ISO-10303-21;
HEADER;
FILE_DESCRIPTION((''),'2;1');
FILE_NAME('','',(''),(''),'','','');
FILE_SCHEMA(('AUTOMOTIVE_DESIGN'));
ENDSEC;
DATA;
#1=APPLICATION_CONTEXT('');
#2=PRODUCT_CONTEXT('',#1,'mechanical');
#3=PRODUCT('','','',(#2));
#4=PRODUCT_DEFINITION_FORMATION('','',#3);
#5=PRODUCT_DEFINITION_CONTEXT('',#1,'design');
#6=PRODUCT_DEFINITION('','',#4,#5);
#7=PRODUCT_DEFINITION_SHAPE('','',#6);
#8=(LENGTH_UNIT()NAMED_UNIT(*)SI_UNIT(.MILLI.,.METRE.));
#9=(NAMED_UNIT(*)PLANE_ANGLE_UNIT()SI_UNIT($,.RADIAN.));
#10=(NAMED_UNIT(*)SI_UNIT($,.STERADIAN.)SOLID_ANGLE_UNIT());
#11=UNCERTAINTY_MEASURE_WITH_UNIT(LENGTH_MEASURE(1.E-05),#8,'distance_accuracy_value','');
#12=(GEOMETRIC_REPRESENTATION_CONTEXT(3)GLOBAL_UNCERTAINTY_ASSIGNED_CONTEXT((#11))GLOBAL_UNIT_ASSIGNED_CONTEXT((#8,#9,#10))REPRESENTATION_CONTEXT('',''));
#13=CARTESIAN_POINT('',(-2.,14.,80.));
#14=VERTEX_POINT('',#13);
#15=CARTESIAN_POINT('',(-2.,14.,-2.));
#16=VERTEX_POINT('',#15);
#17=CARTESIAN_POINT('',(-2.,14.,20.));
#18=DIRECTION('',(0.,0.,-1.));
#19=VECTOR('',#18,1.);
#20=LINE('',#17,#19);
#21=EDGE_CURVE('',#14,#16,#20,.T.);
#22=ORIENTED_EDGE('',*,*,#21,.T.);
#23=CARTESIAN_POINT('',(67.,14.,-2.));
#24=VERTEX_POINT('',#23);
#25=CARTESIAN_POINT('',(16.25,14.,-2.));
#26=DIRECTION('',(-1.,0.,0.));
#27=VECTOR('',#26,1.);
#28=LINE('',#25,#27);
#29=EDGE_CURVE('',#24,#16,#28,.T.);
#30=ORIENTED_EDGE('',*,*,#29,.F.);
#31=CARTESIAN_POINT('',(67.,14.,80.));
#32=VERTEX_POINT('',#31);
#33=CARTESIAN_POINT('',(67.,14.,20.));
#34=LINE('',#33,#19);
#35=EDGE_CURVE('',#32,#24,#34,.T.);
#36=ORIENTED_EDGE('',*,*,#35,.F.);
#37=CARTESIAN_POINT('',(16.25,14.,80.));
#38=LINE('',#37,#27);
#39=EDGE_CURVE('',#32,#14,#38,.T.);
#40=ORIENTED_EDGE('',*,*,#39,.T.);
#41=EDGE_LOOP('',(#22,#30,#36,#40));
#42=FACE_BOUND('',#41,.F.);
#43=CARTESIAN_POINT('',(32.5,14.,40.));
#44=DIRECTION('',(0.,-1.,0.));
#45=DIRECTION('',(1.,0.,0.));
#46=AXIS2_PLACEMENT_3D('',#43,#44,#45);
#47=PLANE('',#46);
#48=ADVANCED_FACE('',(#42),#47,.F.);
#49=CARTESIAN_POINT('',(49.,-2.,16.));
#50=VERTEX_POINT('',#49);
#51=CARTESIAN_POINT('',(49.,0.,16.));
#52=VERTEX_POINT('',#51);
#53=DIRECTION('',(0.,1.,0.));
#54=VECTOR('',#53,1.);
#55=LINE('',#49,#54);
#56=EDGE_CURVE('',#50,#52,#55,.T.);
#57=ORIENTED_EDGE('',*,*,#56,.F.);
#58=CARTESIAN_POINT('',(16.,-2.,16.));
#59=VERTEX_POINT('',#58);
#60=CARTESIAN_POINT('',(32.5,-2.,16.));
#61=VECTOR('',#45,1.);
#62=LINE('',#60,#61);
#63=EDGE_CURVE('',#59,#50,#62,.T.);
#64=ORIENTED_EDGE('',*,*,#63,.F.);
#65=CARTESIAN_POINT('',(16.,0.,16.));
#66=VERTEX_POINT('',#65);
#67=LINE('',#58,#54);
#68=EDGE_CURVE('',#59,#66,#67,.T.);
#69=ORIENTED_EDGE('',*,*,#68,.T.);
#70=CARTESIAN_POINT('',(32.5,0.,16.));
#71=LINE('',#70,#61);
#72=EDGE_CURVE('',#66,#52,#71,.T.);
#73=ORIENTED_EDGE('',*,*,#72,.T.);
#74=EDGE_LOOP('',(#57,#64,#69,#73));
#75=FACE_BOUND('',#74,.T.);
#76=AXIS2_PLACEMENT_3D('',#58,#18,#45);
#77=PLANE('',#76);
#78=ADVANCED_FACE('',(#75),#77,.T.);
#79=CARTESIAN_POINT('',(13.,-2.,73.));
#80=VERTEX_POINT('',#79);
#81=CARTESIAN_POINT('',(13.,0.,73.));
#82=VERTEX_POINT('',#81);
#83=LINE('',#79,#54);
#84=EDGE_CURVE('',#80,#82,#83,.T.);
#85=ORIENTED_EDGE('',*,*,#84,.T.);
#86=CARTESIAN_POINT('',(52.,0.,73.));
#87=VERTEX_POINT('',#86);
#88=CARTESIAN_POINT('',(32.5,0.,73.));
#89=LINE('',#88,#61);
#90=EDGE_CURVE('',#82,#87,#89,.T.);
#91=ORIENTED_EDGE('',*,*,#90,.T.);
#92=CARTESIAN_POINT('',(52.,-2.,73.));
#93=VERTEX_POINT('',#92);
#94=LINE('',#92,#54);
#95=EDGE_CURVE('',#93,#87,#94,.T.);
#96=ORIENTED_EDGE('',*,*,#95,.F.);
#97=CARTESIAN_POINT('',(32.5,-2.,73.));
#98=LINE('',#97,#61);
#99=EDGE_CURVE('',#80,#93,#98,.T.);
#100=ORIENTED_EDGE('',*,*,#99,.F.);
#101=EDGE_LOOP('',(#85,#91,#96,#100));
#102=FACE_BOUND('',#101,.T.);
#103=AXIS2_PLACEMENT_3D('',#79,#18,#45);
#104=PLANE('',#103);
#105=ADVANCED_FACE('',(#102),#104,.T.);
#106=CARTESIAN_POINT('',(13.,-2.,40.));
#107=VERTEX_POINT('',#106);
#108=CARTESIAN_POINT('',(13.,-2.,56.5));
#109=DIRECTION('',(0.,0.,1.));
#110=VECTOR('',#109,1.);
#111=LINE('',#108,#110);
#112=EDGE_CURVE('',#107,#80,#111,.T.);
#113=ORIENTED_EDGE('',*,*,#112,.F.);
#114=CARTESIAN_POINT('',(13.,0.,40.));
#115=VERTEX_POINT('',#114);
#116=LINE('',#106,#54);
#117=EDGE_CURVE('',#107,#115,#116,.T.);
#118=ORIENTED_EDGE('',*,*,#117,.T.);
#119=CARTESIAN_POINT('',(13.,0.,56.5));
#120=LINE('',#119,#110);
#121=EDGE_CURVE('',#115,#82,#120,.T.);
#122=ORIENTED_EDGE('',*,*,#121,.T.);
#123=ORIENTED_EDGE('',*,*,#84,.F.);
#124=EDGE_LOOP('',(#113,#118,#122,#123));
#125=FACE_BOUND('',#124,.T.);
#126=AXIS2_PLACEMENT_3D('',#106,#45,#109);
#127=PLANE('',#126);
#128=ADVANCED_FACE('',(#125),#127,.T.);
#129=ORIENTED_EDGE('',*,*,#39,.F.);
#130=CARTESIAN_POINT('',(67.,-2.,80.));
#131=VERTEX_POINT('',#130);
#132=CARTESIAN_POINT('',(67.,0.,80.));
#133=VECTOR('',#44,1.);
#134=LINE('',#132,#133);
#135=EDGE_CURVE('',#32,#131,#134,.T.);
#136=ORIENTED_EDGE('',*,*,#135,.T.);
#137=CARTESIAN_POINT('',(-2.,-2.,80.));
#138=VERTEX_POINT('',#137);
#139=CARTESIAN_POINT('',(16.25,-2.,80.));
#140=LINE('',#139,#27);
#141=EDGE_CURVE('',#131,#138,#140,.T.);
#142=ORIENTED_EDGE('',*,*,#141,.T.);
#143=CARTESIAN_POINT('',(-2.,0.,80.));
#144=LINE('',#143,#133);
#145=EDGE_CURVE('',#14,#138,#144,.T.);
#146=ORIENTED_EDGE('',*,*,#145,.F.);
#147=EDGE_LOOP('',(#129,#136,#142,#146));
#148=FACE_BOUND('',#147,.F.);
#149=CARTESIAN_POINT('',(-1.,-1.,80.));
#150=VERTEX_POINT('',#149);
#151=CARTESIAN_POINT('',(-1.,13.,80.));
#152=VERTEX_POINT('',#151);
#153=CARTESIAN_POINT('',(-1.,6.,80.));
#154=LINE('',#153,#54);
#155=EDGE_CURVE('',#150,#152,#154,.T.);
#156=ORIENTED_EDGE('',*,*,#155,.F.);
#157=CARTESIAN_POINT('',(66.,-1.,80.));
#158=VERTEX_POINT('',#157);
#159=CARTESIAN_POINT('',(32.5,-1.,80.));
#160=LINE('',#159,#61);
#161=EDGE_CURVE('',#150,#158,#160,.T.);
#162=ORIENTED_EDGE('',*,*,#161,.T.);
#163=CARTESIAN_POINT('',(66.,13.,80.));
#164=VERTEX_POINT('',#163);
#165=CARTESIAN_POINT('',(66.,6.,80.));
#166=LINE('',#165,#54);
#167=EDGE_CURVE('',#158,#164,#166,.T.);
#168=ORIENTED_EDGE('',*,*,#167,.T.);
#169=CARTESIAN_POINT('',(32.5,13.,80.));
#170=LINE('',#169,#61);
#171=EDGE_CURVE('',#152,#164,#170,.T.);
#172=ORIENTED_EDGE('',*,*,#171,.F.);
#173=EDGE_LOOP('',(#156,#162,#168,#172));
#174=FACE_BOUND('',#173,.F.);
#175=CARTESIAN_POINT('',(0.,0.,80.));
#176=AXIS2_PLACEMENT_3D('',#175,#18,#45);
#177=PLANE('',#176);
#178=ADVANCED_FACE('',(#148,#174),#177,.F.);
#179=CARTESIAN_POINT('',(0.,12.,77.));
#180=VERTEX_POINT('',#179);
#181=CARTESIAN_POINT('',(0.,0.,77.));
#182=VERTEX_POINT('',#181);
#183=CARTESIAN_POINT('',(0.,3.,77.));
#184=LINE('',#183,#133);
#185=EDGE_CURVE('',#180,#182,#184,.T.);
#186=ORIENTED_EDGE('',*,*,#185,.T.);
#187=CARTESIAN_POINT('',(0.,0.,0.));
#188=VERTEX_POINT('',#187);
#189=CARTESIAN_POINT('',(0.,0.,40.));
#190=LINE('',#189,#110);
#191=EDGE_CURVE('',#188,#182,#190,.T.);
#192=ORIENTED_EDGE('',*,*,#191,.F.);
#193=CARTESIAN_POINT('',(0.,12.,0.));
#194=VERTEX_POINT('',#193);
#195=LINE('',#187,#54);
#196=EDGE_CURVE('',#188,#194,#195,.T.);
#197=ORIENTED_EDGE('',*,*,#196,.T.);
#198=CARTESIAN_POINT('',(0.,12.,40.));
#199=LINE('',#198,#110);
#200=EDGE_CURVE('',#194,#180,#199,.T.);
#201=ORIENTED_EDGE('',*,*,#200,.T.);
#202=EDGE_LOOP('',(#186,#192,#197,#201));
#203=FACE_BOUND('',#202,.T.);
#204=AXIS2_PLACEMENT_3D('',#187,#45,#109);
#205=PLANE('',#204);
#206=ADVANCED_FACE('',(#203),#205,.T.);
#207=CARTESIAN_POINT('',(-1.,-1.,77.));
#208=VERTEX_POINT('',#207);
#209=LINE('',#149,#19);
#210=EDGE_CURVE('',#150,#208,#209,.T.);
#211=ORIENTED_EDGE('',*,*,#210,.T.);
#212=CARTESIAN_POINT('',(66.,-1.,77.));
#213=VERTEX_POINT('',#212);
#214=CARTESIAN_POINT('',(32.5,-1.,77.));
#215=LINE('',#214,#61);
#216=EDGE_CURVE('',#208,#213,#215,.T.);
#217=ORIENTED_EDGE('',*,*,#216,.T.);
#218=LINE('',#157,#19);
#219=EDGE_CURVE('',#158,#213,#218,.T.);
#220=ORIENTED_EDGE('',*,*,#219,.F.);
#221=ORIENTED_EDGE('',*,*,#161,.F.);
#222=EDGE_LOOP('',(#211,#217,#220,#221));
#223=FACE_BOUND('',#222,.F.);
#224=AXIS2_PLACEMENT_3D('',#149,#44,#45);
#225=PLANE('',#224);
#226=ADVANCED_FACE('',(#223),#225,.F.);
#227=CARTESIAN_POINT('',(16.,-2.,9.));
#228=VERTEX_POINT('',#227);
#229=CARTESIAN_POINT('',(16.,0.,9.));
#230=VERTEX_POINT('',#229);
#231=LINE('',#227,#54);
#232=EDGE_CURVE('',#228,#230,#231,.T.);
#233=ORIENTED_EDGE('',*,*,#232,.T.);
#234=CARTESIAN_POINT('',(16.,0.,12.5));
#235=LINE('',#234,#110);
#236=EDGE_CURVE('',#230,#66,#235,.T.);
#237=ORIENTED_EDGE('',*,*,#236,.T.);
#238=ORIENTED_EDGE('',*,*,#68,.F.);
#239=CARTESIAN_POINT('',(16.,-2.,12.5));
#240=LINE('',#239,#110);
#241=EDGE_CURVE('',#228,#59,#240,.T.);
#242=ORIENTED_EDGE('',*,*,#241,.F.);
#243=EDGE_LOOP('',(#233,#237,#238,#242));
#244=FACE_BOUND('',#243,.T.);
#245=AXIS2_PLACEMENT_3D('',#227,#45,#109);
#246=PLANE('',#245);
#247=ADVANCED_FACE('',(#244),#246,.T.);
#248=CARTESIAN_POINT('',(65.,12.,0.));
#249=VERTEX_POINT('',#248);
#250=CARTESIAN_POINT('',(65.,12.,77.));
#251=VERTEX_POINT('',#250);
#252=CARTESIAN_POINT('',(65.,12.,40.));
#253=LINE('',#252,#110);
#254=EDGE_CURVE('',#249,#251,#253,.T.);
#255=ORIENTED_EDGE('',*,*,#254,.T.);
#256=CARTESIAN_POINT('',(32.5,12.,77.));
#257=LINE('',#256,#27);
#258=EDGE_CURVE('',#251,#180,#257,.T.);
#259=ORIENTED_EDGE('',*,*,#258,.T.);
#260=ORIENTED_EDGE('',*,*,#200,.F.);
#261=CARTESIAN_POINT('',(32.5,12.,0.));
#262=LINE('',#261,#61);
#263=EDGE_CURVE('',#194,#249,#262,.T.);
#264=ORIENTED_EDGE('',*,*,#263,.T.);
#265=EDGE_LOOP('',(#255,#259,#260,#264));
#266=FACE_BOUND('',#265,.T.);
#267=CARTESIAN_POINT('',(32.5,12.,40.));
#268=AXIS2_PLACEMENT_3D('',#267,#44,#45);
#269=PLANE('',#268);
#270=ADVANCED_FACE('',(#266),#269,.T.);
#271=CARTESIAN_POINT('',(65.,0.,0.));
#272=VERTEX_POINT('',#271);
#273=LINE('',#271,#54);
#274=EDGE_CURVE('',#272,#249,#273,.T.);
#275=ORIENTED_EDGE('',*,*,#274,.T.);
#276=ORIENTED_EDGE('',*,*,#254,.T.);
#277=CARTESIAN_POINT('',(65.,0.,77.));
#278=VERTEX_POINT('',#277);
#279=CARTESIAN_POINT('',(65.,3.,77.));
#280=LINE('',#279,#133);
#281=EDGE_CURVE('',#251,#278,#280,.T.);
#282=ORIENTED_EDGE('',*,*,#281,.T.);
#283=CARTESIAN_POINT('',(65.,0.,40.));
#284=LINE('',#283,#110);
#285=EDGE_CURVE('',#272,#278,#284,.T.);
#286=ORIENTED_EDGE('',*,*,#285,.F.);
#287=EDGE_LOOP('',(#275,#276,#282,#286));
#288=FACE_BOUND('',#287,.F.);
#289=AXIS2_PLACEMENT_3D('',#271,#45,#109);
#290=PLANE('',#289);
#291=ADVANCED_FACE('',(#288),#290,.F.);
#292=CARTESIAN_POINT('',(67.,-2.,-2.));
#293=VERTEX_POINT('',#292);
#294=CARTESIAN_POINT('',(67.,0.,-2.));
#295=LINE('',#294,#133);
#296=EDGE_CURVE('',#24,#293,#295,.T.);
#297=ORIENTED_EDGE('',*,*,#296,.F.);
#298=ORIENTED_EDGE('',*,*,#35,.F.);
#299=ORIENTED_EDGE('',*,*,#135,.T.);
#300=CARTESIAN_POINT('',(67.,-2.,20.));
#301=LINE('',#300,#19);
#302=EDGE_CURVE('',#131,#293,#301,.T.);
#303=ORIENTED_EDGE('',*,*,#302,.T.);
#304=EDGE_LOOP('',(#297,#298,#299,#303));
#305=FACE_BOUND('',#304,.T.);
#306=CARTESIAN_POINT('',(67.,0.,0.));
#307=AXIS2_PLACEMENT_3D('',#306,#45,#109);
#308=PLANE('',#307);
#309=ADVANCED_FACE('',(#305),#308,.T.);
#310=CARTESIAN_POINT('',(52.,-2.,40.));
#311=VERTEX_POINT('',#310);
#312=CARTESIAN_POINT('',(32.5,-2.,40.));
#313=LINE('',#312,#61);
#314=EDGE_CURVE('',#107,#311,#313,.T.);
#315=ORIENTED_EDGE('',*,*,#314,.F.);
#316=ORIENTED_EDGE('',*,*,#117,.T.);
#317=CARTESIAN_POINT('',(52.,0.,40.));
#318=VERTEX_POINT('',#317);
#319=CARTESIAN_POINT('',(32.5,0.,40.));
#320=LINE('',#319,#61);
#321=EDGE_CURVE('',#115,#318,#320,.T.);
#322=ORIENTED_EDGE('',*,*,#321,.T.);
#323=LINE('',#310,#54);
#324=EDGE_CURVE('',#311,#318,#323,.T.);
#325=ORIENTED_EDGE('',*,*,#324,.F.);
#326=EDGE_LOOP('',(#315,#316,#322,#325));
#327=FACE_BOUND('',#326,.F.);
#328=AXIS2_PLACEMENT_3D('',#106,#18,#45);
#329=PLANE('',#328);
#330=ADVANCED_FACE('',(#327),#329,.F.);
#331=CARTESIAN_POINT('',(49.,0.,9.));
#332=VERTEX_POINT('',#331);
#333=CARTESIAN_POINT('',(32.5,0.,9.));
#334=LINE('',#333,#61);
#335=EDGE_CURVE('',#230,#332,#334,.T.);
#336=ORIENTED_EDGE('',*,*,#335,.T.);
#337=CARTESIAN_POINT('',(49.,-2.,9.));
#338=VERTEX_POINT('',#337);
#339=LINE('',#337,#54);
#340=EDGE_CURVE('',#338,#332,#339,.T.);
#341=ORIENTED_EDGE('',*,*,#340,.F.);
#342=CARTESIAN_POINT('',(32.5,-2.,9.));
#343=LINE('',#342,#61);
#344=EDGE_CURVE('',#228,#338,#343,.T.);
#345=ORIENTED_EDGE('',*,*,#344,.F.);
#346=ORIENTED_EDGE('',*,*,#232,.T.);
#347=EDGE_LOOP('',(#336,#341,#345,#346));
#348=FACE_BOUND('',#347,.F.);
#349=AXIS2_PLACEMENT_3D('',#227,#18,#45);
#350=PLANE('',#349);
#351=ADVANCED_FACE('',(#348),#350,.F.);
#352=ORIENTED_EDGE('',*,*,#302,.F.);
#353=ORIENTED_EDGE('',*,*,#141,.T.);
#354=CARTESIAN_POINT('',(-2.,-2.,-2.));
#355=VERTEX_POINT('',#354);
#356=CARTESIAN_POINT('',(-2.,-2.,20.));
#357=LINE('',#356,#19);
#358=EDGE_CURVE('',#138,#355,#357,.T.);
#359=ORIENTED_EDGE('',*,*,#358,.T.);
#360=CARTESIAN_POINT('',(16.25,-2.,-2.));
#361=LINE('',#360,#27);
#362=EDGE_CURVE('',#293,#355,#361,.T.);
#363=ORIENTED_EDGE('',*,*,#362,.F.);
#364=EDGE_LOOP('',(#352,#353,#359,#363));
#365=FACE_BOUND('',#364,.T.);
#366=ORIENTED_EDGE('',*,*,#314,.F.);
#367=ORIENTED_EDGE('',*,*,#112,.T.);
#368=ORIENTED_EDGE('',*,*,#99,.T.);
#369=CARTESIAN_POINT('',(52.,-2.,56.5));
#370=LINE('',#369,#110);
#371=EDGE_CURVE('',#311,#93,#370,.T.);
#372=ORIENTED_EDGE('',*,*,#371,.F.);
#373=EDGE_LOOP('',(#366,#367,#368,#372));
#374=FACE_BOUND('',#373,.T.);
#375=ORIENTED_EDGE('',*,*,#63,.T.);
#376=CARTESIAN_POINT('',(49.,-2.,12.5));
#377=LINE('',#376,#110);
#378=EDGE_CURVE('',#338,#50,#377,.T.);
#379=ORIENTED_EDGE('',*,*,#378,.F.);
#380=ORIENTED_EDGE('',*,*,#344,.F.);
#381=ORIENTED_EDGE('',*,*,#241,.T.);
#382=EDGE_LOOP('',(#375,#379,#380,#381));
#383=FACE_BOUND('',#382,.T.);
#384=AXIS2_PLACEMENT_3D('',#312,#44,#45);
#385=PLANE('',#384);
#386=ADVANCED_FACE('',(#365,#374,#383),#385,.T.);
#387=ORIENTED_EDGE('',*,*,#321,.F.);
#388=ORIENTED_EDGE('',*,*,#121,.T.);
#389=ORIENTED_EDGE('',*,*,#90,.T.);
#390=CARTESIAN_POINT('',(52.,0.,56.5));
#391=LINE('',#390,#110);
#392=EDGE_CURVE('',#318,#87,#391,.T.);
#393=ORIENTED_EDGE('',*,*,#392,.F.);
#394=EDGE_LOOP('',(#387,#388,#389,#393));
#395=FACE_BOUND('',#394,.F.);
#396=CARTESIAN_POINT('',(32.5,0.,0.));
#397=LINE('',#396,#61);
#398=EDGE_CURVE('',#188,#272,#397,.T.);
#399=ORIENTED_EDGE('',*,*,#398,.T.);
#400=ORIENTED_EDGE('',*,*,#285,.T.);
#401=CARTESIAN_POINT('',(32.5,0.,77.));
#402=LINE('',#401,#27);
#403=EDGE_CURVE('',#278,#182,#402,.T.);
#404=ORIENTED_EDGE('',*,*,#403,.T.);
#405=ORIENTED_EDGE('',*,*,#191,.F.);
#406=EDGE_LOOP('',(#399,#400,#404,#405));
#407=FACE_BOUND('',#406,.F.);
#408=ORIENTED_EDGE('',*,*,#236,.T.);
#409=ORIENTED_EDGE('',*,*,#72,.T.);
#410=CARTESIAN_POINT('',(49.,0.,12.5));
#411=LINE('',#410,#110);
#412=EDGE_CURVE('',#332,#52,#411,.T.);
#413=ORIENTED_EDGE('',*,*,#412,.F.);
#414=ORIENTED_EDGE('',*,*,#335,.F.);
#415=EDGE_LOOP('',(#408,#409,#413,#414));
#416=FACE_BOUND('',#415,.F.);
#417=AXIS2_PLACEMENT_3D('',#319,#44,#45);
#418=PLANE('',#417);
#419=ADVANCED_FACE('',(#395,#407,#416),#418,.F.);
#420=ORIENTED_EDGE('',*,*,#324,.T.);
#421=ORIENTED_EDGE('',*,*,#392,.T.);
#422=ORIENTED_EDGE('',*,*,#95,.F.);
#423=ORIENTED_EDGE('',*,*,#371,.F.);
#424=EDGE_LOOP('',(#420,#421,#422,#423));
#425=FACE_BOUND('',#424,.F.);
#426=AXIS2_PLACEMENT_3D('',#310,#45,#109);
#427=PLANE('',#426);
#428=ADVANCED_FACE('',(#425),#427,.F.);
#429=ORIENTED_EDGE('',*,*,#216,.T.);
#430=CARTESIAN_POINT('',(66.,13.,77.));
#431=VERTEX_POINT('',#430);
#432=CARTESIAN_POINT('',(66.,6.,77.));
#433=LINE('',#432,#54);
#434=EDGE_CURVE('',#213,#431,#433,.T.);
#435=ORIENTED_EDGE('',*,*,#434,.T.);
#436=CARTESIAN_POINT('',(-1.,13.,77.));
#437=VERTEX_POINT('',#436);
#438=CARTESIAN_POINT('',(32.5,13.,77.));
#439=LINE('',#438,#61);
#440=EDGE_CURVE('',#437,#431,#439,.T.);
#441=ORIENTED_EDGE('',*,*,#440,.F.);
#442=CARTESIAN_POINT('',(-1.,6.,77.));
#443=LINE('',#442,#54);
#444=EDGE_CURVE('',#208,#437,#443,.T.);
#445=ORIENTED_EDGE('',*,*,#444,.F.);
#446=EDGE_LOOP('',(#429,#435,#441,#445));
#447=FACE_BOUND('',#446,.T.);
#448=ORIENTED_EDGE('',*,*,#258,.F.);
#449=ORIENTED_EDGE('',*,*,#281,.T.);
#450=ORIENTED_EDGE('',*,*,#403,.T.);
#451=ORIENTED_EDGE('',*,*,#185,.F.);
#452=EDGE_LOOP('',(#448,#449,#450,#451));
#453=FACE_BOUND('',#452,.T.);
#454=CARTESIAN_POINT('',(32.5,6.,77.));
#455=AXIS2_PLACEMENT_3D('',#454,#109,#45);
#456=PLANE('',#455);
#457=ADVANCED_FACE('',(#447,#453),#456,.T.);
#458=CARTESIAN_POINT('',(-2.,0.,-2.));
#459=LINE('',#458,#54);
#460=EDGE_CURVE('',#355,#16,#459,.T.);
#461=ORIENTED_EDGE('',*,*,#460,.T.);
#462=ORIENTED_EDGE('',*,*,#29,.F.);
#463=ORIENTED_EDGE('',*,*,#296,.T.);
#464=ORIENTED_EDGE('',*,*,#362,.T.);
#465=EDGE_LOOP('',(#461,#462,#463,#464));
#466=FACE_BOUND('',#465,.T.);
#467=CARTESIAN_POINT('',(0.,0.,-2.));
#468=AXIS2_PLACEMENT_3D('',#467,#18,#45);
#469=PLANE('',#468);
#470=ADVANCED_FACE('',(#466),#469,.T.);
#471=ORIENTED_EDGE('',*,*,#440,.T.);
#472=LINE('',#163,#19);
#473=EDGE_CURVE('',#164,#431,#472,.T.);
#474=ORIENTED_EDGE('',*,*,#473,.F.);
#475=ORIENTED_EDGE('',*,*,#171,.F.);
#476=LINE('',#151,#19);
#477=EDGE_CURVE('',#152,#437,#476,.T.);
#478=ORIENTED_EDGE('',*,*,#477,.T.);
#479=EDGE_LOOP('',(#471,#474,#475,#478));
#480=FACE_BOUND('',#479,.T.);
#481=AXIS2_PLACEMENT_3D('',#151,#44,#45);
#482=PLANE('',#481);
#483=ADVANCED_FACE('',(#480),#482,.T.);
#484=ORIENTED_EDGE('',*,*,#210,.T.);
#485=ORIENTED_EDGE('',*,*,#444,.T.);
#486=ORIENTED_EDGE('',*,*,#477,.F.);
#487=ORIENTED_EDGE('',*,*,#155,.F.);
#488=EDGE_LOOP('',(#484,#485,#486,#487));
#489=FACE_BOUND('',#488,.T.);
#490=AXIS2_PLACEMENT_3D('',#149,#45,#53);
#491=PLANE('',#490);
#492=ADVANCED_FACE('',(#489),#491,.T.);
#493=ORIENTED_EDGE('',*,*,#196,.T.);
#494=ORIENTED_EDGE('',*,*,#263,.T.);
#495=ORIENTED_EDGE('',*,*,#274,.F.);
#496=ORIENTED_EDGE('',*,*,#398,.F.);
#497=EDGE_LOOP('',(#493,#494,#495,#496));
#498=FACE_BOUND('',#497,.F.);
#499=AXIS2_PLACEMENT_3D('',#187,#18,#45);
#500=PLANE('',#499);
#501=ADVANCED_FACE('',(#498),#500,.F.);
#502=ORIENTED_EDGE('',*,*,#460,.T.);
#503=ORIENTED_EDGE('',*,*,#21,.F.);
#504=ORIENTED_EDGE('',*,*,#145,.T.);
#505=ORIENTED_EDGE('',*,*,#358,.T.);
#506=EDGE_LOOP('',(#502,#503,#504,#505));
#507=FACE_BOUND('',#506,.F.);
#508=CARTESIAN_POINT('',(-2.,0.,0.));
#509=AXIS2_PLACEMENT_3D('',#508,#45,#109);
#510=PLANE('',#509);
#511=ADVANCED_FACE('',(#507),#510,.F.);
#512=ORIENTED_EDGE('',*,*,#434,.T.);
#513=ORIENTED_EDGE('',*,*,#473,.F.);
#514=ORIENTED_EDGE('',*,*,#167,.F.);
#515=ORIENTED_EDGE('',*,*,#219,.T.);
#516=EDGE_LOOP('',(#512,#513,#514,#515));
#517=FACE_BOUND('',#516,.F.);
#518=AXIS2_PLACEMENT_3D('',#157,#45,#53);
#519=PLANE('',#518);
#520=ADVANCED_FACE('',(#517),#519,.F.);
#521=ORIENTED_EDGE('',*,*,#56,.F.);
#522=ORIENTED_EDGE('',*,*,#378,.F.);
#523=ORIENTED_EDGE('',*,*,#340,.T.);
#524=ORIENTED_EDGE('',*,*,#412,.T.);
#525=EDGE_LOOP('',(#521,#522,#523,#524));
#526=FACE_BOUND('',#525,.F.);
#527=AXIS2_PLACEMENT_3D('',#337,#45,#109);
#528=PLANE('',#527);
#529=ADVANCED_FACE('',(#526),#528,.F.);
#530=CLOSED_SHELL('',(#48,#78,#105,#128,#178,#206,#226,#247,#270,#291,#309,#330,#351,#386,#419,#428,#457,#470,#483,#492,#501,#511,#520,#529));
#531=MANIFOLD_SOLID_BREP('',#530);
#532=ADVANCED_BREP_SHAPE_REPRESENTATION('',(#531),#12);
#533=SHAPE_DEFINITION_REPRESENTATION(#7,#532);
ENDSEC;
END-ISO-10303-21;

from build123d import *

# Parameters (mm, degrees)
F0_W     = 65
F0_H     = 80
F1_DEPTH = 12
F2_T     = 2
F3_W     = 67
F3_H     = 14
F4_DEPTH = 3
F5_W     = 33
F5_H     = 7
F5_W_2   = 39
F5_H_2   = 33
F6_DEPTH = 2


with BuildPart() as f1:
    # F0 (on Front) → F1 (new body)
    with BuildSketch(Plane.XZ):
        with Locations((32.5, 40)):
            Rectangle(F0_W, F0_H)
    extrude(amount=-F1_DEPTH)

    # F2
    f2_openings = [f1.faces().sort_by_distance(p)[0] for p in [
        (32.5, 6, 80),
    ]]
    offset(amount=F2_T, openings=f2_openings, kind=Kind.INTERSECTION)

    # F3 (on face) → F4 (cut)
    with BuildSketch(Plane.XY.offset(80)):
        with Locations((32.5, 6)):
            Rectangle(F3_W, F3_H)
    extrude(amount=-F4_DEPTH, mode=Mode.SUBTRACT)

    # F5 (on face) → F6 (cut, through all)
    with BuildSketch(Plane.XZ.offset(2)):
        with Locations((32.5, 12.5)):
            Rectangle(F5_W, F5_H)
        with Locations((32.5, 56.5)):
            Rectangle(F5_W_2, F5_H_2)
    extrude(amount=-F6_DEPTH, mode=Mode.SUBTRACT)


solid = f1.part
